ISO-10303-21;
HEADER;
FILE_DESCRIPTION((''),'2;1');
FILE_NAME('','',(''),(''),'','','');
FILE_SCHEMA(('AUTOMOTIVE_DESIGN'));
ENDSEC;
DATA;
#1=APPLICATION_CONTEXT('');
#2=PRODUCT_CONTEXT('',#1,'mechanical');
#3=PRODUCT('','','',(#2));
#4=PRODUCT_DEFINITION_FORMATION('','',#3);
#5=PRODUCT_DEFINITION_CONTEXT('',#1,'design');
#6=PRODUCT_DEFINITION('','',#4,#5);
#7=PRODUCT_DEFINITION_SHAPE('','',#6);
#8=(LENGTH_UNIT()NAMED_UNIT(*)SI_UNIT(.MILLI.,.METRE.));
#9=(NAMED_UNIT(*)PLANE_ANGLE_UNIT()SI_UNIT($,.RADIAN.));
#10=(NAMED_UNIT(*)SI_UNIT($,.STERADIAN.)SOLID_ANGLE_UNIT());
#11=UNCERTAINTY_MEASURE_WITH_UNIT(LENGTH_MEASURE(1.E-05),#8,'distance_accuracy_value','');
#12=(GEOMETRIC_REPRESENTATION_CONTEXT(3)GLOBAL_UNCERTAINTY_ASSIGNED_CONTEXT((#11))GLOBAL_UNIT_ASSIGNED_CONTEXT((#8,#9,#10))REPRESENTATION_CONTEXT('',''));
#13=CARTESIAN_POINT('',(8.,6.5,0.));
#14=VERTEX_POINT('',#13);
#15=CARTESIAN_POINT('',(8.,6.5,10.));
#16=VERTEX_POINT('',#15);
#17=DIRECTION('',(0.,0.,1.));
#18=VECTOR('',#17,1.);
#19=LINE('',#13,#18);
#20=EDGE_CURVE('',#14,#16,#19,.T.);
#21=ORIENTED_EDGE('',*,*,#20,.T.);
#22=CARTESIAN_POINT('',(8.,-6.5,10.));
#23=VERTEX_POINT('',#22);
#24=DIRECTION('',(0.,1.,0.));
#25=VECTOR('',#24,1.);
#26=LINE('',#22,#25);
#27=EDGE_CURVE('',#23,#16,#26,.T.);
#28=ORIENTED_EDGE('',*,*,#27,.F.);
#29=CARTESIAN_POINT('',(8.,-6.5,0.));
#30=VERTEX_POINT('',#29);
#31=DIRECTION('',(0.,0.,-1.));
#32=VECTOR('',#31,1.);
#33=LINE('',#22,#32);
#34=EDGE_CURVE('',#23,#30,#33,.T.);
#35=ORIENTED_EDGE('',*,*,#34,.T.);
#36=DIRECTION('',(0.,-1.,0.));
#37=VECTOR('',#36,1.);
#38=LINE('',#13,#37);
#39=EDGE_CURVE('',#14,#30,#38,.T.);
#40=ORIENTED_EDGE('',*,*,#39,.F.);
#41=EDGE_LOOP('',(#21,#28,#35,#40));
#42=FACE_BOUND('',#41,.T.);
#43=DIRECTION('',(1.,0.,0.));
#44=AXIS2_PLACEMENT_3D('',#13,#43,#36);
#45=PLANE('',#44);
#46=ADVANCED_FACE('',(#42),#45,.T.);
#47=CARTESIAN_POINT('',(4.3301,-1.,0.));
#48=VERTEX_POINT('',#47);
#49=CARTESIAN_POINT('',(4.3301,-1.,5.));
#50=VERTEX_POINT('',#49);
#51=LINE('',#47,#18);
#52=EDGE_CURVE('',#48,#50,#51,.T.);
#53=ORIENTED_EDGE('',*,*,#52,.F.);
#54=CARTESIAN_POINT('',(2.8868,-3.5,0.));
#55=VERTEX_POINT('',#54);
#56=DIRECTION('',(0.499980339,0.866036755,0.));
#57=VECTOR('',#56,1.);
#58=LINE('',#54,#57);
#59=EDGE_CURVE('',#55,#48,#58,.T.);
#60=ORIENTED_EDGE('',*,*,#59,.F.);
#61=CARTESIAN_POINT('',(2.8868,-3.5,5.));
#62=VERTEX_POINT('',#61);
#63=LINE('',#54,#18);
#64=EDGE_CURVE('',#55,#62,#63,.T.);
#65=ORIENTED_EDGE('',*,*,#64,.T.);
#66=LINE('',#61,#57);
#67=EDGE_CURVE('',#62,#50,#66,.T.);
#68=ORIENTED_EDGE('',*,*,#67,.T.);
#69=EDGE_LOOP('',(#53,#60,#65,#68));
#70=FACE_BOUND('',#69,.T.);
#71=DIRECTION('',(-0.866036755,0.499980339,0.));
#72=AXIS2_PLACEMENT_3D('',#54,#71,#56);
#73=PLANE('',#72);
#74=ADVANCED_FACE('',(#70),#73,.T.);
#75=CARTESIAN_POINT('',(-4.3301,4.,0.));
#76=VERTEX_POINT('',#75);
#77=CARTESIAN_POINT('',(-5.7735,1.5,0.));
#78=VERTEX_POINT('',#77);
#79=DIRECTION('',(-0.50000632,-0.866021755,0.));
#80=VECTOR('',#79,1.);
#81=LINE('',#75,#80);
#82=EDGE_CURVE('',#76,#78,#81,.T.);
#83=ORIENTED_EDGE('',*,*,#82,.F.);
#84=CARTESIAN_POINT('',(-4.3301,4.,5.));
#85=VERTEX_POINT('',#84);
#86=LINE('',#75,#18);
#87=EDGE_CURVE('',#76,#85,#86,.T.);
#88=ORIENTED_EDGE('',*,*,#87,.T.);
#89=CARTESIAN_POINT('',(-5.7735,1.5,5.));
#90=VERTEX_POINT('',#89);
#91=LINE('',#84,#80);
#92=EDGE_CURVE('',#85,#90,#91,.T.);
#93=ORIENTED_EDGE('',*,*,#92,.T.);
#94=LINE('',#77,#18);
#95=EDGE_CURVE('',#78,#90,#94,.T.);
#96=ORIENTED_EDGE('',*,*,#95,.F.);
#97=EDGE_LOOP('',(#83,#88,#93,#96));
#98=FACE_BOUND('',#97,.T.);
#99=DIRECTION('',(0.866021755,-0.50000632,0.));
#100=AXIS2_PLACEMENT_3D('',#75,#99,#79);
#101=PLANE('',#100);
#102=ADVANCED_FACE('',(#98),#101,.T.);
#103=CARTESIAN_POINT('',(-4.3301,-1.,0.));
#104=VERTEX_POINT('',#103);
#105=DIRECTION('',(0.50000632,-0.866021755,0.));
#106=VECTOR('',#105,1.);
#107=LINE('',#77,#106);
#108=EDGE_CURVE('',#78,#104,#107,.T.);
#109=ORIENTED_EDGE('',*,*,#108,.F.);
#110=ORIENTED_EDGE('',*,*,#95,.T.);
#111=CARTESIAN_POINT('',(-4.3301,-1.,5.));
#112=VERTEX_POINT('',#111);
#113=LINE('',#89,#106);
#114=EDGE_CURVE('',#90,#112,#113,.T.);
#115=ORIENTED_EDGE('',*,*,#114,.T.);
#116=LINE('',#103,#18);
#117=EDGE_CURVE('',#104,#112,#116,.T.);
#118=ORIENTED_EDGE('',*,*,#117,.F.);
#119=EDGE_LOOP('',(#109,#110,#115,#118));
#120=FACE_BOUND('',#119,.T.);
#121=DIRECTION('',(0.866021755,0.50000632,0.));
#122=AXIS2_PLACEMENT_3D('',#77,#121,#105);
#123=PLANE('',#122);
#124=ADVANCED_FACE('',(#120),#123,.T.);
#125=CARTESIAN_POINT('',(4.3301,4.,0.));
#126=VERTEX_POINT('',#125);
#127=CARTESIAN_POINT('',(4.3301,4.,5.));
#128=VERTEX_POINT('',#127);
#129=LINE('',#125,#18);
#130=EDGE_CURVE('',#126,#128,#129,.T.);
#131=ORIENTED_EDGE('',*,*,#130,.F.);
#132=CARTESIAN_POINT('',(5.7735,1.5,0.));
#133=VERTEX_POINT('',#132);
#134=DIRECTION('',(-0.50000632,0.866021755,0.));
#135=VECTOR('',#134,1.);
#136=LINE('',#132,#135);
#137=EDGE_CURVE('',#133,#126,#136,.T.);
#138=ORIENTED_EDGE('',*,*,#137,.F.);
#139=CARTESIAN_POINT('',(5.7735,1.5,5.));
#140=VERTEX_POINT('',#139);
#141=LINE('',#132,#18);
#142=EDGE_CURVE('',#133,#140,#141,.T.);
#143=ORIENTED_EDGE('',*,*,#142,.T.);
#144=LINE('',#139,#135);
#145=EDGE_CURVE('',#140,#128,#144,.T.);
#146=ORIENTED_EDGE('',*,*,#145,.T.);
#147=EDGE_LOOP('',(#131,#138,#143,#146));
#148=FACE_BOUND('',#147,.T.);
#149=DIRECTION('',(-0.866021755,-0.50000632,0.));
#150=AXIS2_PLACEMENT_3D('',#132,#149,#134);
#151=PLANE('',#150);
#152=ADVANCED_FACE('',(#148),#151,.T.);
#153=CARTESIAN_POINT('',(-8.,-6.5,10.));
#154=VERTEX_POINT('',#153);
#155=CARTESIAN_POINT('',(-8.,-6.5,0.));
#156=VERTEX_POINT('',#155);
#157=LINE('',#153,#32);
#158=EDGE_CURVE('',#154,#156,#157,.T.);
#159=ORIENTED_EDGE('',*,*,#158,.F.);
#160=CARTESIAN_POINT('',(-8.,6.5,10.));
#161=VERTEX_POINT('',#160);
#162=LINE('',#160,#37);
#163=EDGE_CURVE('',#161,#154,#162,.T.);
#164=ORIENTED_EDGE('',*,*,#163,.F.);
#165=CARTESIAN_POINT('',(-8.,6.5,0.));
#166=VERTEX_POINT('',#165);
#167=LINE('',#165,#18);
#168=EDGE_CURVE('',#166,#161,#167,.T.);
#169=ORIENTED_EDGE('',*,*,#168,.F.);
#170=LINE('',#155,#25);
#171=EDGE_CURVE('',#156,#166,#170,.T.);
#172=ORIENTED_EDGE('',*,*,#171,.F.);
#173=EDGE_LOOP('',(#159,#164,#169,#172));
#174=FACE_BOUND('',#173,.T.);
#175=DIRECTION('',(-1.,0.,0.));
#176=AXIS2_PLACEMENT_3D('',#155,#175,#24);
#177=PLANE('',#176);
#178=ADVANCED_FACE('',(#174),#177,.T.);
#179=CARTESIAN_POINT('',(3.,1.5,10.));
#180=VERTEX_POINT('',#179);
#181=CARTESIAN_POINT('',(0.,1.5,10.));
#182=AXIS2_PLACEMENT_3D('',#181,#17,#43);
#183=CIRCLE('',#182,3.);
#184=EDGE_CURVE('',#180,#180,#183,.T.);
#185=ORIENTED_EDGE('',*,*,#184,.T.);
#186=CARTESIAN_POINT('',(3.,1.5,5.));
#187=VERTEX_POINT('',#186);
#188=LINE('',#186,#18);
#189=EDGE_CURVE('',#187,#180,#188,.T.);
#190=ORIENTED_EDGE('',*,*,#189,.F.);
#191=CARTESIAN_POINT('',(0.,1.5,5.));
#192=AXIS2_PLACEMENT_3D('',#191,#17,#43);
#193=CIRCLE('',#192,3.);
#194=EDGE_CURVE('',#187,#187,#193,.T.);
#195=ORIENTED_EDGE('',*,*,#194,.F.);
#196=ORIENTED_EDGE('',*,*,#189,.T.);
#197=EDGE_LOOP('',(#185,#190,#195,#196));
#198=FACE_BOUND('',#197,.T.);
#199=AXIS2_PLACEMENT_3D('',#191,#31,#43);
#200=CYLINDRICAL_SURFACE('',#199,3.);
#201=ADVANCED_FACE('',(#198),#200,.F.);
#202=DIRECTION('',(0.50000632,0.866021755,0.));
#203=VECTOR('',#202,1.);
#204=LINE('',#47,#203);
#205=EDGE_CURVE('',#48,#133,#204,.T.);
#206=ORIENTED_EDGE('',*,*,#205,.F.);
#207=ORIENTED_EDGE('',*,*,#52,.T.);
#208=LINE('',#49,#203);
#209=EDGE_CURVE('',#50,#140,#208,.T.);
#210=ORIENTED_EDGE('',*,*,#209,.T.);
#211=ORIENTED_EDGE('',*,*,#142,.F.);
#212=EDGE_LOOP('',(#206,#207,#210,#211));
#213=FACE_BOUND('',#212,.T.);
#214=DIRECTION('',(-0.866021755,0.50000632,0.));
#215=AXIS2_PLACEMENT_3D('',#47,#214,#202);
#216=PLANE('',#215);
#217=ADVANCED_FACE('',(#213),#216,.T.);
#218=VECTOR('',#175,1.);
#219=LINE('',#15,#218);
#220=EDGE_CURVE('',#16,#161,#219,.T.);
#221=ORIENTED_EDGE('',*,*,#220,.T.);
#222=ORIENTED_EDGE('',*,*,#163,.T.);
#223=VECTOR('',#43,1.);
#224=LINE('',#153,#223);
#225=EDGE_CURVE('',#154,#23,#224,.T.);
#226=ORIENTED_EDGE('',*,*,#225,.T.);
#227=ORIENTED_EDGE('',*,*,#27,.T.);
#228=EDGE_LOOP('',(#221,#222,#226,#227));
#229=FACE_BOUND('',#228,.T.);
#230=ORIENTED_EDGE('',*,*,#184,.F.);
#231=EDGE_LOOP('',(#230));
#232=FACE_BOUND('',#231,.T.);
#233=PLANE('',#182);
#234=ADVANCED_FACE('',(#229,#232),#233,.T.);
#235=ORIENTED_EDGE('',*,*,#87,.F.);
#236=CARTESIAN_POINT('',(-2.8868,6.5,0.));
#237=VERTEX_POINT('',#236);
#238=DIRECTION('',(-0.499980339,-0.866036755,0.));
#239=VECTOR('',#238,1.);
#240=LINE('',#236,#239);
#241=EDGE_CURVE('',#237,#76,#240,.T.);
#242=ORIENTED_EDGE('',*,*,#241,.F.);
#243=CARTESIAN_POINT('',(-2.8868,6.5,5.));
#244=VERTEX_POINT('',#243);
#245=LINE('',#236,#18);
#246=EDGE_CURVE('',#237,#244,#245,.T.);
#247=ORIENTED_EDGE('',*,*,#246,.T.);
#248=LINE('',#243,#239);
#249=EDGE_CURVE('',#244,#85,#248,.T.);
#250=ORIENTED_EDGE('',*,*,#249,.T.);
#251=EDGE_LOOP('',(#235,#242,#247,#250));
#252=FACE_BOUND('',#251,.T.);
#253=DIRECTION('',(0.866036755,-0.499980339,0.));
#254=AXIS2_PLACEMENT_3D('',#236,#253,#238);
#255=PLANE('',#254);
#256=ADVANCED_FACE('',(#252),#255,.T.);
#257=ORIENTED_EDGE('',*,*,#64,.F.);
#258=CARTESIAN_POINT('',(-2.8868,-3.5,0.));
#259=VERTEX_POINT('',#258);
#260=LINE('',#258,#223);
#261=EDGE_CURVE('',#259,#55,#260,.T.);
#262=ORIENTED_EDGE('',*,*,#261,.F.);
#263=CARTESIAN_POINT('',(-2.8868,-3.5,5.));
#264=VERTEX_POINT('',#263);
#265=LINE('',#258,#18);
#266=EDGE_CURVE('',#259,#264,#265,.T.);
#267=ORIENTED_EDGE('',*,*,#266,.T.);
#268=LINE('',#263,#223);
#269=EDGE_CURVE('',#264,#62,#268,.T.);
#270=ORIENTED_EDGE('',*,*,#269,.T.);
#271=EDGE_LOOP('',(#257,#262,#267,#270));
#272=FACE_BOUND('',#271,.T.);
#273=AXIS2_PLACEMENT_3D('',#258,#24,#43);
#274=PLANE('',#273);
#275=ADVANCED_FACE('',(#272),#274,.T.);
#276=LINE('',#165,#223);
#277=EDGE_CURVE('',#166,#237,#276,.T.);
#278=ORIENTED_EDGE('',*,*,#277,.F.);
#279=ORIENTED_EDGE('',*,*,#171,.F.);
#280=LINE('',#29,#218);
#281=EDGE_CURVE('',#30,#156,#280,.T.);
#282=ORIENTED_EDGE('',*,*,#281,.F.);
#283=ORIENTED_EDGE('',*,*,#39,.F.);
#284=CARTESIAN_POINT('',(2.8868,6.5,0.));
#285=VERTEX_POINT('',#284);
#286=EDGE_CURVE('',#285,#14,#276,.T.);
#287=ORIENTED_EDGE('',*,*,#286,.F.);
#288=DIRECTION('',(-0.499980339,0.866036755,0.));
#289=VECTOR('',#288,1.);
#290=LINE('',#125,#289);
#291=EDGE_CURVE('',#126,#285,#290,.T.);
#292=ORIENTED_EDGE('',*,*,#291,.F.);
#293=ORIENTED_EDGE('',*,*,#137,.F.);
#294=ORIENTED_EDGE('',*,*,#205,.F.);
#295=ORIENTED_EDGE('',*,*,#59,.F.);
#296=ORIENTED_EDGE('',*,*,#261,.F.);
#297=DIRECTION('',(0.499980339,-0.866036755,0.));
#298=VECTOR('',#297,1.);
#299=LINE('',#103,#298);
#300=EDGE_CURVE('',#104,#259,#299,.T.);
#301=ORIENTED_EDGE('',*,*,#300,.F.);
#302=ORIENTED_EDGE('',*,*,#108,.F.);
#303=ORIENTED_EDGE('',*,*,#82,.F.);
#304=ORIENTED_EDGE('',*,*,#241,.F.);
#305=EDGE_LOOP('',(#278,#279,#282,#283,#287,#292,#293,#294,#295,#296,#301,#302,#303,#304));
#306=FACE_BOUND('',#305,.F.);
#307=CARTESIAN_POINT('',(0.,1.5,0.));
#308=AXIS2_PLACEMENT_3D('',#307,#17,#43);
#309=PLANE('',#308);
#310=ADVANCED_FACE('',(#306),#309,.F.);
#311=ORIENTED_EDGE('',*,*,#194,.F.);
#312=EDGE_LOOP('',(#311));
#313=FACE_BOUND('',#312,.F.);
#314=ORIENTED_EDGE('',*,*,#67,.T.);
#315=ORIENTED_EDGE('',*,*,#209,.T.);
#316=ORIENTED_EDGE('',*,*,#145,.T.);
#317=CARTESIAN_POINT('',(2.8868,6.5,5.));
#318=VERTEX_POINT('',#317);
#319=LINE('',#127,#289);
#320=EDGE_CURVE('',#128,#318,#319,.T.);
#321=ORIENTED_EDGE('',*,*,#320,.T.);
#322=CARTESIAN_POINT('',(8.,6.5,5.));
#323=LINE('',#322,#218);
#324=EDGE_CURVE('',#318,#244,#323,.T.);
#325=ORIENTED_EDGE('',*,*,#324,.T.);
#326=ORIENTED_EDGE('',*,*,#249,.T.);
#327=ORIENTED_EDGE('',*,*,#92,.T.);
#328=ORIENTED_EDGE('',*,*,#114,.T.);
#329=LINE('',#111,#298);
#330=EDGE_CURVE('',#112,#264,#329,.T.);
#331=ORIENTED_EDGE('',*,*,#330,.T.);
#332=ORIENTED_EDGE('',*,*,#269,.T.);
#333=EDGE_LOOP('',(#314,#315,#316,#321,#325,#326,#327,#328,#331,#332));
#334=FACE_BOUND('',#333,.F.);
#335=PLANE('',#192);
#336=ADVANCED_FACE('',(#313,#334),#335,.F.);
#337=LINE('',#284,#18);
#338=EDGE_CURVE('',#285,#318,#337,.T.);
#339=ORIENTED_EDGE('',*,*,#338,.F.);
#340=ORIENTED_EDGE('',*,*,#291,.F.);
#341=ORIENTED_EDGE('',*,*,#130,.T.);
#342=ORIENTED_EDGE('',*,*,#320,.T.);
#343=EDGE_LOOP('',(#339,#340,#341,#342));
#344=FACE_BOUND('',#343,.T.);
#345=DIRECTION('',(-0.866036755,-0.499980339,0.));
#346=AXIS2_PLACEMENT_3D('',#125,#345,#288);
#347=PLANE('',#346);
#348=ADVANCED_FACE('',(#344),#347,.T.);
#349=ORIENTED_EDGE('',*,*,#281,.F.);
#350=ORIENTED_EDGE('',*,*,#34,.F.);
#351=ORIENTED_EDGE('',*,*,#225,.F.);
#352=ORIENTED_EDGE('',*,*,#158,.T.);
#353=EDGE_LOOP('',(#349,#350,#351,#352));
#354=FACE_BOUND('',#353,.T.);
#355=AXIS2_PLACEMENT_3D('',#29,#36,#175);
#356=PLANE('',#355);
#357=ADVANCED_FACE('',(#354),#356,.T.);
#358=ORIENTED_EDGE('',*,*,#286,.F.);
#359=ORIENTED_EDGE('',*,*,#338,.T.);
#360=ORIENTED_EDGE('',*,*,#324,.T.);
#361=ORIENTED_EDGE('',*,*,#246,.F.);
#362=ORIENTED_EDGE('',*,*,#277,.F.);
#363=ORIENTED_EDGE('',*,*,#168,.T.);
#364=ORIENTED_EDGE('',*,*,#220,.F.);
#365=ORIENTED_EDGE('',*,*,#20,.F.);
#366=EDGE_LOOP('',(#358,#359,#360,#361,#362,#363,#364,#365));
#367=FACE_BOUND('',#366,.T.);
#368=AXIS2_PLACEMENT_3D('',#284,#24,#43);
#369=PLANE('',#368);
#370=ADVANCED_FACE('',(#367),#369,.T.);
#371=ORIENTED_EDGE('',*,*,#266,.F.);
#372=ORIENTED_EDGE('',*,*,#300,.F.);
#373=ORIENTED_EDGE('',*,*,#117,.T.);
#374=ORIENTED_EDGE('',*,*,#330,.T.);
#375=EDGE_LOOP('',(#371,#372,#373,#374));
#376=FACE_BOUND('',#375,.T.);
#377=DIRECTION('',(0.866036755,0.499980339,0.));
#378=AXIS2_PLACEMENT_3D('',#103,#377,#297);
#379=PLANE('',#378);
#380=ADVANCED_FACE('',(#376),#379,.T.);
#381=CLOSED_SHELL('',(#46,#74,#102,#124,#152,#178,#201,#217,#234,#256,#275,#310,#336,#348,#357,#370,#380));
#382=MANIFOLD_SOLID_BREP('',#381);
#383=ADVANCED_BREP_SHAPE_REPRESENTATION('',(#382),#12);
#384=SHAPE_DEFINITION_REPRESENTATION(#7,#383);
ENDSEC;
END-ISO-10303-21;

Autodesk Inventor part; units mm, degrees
ref_plane "YZ Plane" through (0, 0, 0) normal (1, 0, 0) x (0, 1, 0)
ref_plane "XZ Plane" through (0, 0, 0) normal (0, 1, 0) x (-1, 0, 0)
ref_plane "XY Plane" through (0, 0, 0) normal (0, 0, 1) x (1, 0, 0)
sketch "Sketch1" plane through (0, 1.5, 0) normal (0, 0, 1) x (1, 0, 0)
  line L0 (8, 5) -> (8, -8)
  line L1 (8, -8) -> (-8, -8)
  line L2 (-8, -8) -> (-8, 5)
  line L3 (-8, 5) -> (8, 5)
  line L4 (-4.3301, 2.5) -> (-5.7735, 0)
  line L5 (-5.7735, 0) -> (-4.3301, -2.5)
  line L6 (-4.3301, -2.5) -> (-2.8868, -5)
  line L7 (-2.8868, -5) -> (0, -5)
  line L8 (0, -5) -> (2.8868, -5)
  line L9 (2.8868, -5) -> (4.3301, -2.5)
  line L10 (4.3301, -2.5) -> (5.7735, 0)
  line L11 (5.7735, 0) -> (4.3301, 2.5)
  line L12 (4.3301, 2.5) -> (2.8868, 5)
  line L13 (-2.8868, 5) -> (-4.3301, 2.5)
  point P0 (0, 0)
extrude "Extrusion1" add sketch "Sketch1" along normal blind 5 contours L0 L1 L2 L3 L13 L4 L5 L6 L7 L8 L9 L10 L11 L12
sketch "Sketch2" plane through (0, 1.5, 5) normal (0, 0, 1) x (1, 0, 0)
  line L0 (-8, 5) -> (-8, -8) projected
  line L1 (8, 5) -> (-8, 5) projected
  line L2 (8, -8) -> (8, 5) projected
  line L3 (-8, -8) -> (8, -8) projected
  circle A0 centre (0, 0) radius 3 projected
extrude "Extrusion2" add sketch "Sketch2" along normal blind 5
properties part number "2x 2x M6 Nut Holder" material "ABS Plastic"
